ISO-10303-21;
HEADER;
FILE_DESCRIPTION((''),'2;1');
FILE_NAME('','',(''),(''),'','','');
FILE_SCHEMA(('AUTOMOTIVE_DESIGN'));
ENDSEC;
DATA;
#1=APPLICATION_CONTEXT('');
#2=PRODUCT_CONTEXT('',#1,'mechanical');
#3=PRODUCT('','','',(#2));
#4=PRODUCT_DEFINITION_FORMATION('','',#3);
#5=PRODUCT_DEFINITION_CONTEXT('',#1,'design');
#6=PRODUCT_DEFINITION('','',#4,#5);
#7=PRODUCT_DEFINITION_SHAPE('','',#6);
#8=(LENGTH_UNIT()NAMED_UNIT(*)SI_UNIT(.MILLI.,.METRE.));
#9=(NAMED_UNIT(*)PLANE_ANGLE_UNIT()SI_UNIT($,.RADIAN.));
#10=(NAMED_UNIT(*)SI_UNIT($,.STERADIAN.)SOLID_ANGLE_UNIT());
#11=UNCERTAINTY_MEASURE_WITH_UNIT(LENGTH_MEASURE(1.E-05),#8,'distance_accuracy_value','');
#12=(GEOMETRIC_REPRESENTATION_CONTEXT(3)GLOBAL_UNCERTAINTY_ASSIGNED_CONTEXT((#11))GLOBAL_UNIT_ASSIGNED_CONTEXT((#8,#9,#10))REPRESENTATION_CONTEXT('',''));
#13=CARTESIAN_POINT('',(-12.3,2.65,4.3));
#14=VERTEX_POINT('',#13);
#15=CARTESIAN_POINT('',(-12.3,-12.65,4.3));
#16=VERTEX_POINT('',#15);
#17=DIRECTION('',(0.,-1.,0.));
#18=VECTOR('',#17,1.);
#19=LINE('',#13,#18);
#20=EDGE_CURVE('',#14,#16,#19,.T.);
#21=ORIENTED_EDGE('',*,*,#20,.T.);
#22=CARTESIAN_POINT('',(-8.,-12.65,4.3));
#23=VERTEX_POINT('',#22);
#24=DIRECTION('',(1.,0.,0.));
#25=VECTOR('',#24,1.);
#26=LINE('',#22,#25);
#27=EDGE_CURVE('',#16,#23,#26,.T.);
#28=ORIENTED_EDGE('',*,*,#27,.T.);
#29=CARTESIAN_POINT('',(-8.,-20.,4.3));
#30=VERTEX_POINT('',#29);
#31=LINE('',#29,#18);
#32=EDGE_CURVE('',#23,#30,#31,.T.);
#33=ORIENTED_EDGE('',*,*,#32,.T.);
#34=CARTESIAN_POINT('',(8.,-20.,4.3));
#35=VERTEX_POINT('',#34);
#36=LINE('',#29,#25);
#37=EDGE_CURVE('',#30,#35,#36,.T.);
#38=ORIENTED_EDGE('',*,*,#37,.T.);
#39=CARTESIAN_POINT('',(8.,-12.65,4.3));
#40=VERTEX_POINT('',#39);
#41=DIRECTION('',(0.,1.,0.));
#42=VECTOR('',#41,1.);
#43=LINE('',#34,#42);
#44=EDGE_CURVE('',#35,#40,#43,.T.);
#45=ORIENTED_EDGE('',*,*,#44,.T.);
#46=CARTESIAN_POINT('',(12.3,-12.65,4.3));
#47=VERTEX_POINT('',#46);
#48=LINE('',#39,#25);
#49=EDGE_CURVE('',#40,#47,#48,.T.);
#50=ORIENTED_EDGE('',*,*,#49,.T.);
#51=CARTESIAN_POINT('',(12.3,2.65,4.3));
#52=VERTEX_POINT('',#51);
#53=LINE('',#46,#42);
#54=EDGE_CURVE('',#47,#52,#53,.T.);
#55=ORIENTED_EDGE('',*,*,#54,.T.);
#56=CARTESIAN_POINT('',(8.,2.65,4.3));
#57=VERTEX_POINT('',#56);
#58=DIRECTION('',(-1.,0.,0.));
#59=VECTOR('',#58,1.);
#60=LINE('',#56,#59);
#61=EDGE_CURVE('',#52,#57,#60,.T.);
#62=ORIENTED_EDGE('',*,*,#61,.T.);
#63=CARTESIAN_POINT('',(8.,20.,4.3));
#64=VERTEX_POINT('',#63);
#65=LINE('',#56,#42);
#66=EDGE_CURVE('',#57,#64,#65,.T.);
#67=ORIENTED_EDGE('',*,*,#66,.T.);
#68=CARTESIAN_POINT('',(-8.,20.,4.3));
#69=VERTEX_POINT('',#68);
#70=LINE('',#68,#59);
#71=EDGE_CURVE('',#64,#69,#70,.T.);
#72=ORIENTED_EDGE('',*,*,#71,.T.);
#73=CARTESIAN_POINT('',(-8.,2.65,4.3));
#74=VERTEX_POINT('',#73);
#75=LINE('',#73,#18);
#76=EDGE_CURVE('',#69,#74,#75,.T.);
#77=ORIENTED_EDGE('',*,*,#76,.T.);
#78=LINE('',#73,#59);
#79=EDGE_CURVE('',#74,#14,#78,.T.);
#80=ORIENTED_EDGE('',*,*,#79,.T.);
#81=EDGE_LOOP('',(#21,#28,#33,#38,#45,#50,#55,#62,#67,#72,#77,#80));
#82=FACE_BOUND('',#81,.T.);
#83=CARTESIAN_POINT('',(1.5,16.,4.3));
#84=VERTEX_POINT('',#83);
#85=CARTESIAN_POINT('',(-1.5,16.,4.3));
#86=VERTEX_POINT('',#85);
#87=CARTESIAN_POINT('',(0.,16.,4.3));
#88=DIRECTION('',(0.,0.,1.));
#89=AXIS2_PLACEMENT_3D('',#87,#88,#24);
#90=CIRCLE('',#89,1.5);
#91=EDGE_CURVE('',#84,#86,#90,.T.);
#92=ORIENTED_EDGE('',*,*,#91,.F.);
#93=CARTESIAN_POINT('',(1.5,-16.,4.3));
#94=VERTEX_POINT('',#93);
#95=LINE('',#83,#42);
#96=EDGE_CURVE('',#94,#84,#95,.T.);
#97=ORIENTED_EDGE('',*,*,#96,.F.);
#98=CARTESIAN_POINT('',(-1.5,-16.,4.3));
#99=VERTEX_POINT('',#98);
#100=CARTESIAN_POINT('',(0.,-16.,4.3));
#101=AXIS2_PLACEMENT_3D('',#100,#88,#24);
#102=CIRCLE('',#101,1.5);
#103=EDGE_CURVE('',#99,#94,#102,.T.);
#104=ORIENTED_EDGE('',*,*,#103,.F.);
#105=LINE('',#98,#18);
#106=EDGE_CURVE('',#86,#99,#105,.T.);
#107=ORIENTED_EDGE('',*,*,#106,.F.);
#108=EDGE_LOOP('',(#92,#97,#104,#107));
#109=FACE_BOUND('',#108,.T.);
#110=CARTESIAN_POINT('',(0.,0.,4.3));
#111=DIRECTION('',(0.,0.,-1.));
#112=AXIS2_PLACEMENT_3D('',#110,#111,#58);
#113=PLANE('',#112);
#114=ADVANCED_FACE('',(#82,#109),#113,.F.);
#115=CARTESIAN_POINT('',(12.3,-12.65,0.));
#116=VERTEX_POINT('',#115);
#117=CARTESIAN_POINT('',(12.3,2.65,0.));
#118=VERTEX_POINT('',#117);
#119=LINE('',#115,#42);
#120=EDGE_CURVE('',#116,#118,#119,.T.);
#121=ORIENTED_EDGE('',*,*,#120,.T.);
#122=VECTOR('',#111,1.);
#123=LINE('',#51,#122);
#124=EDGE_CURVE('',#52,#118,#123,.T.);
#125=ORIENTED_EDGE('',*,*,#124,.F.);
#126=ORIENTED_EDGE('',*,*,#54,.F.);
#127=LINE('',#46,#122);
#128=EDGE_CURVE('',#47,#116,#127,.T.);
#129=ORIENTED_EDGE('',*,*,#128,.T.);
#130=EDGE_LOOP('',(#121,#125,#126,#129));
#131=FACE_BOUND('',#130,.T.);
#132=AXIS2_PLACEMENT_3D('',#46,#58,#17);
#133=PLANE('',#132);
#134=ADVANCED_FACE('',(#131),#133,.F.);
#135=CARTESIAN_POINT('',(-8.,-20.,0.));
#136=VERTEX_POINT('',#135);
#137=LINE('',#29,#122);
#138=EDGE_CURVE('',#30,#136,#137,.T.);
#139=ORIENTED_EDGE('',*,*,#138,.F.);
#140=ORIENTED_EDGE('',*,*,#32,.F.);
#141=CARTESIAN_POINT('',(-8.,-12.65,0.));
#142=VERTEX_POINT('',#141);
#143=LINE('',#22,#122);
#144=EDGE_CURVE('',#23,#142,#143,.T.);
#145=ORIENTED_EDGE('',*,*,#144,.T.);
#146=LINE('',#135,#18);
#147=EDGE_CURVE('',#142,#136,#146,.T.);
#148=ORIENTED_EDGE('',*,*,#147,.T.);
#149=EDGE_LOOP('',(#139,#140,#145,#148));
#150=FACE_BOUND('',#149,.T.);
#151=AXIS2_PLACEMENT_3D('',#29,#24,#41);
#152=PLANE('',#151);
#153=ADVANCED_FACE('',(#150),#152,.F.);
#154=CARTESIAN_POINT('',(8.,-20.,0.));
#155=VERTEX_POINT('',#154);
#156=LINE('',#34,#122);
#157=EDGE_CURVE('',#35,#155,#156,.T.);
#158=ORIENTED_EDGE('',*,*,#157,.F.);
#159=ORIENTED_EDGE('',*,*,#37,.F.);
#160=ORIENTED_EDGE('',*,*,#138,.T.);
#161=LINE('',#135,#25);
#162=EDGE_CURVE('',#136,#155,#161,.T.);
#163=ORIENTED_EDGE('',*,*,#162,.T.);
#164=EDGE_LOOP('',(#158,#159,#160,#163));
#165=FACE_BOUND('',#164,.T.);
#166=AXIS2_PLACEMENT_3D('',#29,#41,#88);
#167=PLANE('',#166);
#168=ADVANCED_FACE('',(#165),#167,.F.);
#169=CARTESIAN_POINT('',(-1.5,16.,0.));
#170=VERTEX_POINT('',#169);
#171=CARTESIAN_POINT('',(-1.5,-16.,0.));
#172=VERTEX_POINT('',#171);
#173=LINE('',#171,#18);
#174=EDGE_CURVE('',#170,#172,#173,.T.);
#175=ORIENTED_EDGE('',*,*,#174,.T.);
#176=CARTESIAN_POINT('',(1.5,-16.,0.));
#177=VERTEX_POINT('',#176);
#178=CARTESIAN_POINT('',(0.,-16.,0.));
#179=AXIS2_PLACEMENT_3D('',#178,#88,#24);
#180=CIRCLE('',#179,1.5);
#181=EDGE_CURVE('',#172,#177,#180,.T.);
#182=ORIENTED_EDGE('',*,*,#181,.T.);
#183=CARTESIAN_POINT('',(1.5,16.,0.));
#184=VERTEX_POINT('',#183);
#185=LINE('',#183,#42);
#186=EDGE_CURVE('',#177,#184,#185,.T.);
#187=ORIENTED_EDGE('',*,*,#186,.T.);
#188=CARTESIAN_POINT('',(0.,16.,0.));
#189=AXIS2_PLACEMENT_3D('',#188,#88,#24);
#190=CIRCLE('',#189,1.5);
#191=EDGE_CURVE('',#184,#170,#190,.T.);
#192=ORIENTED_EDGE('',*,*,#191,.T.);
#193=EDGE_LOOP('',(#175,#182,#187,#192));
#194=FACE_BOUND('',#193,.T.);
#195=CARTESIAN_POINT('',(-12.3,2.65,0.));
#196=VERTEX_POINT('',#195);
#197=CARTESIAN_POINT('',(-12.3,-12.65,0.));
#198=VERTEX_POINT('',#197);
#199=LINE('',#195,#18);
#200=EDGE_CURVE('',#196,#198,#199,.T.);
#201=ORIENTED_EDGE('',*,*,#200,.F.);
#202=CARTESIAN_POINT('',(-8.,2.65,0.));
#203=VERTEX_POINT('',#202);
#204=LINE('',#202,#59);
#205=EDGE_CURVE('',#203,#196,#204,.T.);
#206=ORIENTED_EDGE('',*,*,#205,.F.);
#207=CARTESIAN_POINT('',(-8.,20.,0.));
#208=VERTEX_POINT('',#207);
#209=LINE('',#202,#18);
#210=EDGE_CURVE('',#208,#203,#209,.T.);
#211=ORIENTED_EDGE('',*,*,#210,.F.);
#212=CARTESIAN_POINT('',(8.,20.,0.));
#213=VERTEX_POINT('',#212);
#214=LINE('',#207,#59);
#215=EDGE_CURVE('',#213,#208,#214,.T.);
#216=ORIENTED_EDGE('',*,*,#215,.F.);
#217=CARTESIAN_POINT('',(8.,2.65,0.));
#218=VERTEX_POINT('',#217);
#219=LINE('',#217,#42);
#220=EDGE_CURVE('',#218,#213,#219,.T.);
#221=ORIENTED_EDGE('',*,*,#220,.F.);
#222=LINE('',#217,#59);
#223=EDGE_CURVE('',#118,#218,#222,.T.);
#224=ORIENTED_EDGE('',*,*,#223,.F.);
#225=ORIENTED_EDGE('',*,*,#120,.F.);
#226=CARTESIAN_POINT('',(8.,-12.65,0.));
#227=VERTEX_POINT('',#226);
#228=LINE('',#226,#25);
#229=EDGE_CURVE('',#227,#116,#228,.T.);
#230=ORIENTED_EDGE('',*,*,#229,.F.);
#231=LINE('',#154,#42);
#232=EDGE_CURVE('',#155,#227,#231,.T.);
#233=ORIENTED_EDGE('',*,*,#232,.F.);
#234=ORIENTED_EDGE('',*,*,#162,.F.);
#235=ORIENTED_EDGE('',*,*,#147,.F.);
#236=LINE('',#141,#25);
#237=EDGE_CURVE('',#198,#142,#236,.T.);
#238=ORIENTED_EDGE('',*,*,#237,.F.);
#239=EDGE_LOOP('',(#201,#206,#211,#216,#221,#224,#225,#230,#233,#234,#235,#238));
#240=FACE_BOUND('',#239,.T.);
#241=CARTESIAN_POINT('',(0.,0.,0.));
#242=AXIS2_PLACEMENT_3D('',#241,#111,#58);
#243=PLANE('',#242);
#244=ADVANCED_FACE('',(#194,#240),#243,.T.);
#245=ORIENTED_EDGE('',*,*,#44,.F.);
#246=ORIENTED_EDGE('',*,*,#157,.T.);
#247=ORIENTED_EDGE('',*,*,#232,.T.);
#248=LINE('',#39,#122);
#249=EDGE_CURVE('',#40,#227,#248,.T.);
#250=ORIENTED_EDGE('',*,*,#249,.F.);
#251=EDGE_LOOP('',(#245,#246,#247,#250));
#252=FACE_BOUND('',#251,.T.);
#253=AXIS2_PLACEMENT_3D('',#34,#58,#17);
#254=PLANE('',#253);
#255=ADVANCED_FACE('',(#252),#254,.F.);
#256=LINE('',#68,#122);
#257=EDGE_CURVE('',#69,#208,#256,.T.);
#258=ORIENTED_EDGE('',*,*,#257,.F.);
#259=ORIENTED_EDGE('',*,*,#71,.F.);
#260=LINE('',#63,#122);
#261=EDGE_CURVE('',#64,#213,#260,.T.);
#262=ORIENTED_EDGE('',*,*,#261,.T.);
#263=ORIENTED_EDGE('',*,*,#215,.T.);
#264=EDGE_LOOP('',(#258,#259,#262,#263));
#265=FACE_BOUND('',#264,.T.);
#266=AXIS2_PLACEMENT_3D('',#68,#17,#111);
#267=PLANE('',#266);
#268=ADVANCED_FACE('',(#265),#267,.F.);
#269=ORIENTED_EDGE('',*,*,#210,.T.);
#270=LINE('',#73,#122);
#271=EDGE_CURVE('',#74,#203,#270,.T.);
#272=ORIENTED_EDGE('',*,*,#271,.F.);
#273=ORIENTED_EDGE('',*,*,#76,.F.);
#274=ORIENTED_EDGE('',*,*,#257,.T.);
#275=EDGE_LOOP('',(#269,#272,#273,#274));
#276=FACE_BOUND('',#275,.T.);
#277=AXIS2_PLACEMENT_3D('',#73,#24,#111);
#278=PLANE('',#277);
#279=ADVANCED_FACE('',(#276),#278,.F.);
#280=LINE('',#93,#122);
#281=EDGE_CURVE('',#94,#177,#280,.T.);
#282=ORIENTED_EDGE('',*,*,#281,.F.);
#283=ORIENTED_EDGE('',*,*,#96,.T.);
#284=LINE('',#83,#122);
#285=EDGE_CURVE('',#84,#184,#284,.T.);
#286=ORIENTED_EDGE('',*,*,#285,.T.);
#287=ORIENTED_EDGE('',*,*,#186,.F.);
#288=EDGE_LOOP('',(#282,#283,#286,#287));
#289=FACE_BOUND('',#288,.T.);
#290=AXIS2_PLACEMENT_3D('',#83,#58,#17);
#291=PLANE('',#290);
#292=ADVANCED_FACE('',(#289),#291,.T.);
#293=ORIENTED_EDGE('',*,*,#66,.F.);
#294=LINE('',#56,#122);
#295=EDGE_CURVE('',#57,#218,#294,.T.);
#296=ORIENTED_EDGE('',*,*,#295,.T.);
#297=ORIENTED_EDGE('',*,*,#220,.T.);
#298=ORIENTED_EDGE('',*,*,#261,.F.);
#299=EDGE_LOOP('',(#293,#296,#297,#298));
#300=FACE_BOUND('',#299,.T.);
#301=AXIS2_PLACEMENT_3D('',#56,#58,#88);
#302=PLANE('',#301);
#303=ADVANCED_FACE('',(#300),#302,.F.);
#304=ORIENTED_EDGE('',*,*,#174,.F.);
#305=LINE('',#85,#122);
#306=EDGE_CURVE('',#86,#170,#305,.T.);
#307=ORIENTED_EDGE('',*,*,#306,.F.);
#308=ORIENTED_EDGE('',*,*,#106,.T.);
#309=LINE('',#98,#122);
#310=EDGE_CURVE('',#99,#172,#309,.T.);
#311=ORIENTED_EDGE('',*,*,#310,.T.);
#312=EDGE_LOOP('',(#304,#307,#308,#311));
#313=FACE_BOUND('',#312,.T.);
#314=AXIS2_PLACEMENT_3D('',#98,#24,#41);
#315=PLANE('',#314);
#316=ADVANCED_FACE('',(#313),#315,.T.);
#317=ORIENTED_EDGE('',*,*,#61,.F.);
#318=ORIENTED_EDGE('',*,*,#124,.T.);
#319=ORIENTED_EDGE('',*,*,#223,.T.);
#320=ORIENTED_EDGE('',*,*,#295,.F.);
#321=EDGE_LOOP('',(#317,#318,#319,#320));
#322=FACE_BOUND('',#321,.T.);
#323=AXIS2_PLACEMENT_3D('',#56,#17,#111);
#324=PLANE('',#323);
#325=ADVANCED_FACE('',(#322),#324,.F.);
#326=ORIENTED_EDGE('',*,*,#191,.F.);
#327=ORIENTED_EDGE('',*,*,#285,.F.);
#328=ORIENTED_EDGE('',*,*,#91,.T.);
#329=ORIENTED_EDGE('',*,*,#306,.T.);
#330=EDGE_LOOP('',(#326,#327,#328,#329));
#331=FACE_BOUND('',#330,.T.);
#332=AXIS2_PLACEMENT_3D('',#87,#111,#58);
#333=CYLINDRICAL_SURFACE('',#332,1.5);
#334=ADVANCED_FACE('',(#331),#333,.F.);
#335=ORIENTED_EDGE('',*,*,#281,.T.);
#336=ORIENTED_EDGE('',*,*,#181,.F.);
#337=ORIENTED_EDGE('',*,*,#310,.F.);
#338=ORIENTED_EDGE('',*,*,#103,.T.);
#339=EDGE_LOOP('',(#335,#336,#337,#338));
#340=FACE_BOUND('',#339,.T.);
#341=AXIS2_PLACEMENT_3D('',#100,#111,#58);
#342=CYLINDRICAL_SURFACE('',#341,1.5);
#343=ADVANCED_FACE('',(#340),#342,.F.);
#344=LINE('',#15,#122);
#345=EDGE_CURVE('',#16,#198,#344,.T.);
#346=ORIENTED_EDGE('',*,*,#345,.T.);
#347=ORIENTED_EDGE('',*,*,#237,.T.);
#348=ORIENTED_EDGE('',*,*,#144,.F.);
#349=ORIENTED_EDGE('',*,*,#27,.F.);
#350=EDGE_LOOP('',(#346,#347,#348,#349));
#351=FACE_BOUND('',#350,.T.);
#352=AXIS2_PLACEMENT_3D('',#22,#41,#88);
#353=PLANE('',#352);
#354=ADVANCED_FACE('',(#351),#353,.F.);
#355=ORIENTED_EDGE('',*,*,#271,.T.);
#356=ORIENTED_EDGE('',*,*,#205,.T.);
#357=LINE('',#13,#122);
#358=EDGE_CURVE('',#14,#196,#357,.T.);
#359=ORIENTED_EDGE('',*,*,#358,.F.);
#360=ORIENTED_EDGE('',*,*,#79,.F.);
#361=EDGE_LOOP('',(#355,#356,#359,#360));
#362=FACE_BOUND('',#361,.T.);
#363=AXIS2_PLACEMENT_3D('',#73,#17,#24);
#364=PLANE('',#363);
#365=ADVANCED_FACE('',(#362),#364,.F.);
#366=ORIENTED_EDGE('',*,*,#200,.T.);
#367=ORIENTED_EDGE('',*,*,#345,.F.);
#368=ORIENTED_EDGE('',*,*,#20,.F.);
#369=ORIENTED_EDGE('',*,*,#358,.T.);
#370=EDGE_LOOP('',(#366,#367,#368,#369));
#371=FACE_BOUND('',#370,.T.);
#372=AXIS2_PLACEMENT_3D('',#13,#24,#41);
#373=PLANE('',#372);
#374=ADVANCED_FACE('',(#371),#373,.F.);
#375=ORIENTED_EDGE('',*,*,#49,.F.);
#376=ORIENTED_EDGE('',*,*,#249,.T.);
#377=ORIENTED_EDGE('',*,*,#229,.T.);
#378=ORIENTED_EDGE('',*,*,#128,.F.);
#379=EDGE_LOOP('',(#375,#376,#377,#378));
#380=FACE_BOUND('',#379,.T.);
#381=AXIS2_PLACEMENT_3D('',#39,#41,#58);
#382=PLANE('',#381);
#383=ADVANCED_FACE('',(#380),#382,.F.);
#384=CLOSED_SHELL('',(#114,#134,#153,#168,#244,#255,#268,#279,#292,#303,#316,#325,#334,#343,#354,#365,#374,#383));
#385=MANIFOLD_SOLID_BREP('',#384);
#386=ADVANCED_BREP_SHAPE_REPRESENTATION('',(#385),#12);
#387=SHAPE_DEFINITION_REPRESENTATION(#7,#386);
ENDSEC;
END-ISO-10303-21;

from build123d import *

# Parameters (mm, degrees)
BOSS_EXTRUDE1_DEPTH = 4.3


with BuildPart() as part:
    # Sketch1 → Boss-Extrude1 (new body)
    with BuildSketch(Plane.XY):
        Polygon((-8, 2.65), (-8, 20), (8, 20), (8, 2.65), (12.3, 2.65), (12.3, -12.65), (8, -12.65), (8, -20), (-8, -20), (-8, -12.65), (-12.3, -12.65), (-12.3, 2.65), align=None)
        with BuildLine():
            Line((-1.5, -16), (-1.5, 16))
            ThreePointArc((-1.5, 16), (0, 17.5), (1.5, 16))
            Line((1.5, 16), (1.5, -16))
            ThreePointArc((1.5, -16), (0, -17.5), (-1.5, -16))
        make_face(mode=Mode.SUBTRACT)
    extrude(amount=BOSS_EXTRUDE1_DEPTH)


solid = part.part
